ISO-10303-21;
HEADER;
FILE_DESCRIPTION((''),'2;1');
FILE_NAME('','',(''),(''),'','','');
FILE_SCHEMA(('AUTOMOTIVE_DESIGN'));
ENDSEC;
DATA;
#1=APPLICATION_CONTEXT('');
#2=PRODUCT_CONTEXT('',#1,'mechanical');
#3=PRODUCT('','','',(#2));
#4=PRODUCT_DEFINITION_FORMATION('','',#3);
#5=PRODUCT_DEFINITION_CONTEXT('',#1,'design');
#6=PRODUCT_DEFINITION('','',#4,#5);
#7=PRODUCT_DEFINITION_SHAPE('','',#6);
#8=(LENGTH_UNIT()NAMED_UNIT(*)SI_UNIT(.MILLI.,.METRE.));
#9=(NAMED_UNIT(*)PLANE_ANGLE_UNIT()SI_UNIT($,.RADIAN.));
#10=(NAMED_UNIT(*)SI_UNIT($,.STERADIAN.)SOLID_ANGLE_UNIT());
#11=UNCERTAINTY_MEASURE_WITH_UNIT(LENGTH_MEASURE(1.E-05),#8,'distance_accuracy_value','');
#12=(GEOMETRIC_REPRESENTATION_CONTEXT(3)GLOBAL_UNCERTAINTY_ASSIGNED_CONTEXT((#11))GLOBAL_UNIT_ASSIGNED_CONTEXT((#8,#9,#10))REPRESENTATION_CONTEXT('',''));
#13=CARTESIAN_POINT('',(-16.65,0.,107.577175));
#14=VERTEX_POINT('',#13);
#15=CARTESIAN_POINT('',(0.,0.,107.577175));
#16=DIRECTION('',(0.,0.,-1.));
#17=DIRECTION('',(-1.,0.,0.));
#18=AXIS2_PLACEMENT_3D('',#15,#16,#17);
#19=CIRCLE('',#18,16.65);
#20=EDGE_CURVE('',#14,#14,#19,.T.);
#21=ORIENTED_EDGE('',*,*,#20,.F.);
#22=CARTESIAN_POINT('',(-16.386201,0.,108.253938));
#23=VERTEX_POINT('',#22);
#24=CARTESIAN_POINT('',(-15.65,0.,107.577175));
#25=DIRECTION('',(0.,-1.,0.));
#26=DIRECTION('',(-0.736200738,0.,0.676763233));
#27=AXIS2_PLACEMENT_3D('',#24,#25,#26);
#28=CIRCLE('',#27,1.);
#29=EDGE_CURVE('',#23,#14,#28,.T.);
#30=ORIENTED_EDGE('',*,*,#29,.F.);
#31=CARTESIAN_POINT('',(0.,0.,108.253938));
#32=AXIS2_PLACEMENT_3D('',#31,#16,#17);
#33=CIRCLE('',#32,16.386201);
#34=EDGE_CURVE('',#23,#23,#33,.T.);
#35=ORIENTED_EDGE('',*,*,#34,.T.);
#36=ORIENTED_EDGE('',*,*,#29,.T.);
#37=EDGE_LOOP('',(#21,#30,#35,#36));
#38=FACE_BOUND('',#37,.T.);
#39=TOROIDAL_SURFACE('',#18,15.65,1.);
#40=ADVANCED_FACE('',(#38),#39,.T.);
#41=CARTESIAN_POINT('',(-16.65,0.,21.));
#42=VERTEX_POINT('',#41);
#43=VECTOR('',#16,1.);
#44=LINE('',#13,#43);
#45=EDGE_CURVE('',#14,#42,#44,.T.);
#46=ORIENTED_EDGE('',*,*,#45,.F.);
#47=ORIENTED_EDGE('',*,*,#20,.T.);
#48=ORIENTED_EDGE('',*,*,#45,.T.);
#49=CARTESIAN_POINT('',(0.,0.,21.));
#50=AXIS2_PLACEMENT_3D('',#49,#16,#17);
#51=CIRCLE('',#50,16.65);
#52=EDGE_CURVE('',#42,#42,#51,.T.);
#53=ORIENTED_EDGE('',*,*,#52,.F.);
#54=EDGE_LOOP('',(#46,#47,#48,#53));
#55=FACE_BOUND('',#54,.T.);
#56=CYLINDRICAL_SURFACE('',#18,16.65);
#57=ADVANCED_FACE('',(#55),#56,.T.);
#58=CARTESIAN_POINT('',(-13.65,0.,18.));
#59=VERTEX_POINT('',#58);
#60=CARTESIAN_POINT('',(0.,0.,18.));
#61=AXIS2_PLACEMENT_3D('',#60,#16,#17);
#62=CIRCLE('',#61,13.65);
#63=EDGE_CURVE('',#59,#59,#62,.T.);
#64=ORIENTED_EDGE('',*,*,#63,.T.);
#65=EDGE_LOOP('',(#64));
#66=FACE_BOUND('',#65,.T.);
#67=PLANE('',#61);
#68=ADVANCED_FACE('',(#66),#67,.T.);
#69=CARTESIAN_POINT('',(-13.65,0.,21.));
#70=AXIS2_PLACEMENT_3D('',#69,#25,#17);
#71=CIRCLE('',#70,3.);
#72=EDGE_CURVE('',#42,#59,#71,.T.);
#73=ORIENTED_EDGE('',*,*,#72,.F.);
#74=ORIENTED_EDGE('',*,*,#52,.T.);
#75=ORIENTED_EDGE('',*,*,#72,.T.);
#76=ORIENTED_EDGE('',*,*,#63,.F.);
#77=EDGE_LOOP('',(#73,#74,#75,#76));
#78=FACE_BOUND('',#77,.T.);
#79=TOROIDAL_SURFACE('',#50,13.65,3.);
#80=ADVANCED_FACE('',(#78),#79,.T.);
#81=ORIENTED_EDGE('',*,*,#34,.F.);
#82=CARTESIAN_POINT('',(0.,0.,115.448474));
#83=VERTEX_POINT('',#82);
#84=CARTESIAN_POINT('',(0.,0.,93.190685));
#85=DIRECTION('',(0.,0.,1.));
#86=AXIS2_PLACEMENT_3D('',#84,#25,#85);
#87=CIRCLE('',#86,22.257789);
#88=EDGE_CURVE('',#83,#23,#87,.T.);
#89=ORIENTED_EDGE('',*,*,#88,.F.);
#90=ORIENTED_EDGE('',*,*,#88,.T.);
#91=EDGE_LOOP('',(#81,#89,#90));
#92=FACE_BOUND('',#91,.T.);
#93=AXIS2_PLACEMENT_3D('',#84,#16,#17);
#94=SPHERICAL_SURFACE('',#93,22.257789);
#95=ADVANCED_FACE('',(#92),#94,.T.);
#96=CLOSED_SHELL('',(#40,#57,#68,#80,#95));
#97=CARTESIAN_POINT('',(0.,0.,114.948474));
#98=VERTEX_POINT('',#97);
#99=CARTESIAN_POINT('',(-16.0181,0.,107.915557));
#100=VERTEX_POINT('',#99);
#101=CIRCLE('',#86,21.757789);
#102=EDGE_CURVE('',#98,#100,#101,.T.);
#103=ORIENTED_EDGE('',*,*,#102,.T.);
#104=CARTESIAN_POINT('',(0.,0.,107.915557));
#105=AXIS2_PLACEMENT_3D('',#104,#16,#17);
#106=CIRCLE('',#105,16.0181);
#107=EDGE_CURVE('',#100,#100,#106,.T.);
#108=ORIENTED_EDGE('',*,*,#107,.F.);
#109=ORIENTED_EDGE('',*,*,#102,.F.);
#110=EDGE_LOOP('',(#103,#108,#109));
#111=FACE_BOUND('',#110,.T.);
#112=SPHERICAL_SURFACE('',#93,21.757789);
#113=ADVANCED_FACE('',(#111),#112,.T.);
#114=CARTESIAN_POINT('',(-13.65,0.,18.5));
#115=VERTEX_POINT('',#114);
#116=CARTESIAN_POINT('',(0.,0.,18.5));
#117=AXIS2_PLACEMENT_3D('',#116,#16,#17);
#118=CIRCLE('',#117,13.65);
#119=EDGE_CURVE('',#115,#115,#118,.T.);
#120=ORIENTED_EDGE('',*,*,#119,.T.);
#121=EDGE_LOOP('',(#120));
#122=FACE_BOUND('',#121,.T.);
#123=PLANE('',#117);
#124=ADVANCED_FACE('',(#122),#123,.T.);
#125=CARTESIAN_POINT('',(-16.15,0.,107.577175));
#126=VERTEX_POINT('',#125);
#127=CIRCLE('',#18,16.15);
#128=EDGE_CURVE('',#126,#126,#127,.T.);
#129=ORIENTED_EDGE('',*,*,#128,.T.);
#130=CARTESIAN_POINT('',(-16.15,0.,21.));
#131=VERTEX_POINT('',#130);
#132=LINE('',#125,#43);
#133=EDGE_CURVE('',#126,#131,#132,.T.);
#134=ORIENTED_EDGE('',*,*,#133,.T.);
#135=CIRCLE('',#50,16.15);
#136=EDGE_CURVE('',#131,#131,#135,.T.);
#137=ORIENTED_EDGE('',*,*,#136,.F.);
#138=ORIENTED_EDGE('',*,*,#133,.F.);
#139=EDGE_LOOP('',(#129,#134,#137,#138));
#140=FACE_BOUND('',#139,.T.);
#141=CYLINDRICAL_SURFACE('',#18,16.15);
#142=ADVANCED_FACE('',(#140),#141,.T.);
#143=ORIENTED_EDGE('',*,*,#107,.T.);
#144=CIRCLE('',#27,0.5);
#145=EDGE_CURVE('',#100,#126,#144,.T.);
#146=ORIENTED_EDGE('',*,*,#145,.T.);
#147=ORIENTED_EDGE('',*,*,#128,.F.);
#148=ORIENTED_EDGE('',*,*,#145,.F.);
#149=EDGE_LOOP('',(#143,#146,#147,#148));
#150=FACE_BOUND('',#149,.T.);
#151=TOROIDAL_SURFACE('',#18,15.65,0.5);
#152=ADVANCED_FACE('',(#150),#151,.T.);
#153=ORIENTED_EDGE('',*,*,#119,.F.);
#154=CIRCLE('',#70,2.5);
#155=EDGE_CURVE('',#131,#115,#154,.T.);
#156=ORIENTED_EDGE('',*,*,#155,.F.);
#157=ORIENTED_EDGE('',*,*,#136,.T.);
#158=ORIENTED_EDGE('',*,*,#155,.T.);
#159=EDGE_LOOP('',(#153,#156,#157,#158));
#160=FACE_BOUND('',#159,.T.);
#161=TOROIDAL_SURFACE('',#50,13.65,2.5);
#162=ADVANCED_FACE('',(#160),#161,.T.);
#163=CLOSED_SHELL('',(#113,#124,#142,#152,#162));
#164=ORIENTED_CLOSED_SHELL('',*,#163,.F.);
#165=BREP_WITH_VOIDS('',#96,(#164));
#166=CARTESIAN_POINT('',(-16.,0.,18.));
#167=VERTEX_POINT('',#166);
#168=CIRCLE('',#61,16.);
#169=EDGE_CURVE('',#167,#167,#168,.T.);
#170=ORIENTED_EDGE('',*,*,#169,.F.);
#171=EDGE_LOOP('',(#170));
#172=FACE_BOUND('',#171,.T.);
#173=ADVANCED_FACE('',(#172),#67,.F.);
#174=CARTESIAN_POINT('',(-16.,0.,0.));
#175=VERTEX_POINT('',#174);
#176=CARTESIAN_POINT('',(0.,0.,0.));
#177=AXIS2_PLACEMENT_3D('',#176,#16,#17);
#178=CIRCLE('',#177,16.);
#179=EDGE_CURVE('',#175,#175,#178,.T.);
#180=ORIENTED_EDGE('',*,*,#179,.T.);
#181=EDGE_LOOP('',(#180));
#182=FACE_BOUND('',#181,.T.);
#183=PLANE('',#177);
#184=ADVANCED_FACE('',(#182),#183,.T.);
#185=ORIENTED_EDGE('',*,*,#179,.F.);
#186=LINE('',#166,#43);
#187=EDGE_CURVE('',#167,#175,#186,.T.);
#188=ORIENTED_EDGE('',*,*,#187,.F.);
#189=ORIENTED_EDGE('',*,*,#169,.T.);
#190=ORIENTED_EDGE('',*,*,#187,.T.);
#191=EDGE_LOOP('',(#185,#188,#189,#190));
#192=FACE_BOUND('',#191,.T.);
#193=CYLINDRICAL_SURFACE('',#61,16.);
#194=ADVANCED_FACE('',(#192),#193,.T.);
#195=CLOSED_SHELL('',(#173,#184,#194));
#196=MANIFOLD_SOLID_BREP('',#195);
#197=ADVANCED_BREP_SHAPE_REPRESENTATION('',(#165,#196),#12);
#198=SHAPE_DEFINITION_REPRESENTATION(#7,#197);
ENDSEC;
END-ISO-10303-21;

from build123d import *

# Parameters (mm, degrees)
F3_T = -0.5


with BuildPart() as f1:
    # F0 (on Front) → F1 (revolve)
    with BuildSketch(Plane.XZ):
        Polygon((-16, 0), (0, 0), (0, 18), (-13.65, 18), (-16, 18), align=None)
    revolve(axis=Axis((0, 0, 57.7242369889), (0, 0, -1)))


with BuildPart() as f2:
    # F0 (on Front) → F2 (revolve)
    with BuildSketch(Plane.XZ):
        with BuildLine():
            Line((-13.65, 18), (0, 18))
            Line((0, 18), (0, 115.4484739778))
            ThreePointArc((0, 115.4484739778), (-8.9480293889, 113.5706246603), (-16.3862007382, 108.2539381938))
            ThreePointArc((-16.3862007382, 108.2539381938), (-16.5817190398, 107.9403548489), (-16.65, 107.5771749611))
            Line((-16.65, 107.5771749611), (-16.65, 21))
            ThreePointArc((-16.65, 21), (-15.7713203436, 18.8786796564), (-13.65, 18))
        make_face()
    revolve(axis=Axis((0, 0, 57.7242369889), (0, 0, -1)))

    # F3 (hollow: no face is removed)
    offset(amount=F3_T, mode=Mode.SUBTRACT)


solid = Compound([f1.part, f2.part])
